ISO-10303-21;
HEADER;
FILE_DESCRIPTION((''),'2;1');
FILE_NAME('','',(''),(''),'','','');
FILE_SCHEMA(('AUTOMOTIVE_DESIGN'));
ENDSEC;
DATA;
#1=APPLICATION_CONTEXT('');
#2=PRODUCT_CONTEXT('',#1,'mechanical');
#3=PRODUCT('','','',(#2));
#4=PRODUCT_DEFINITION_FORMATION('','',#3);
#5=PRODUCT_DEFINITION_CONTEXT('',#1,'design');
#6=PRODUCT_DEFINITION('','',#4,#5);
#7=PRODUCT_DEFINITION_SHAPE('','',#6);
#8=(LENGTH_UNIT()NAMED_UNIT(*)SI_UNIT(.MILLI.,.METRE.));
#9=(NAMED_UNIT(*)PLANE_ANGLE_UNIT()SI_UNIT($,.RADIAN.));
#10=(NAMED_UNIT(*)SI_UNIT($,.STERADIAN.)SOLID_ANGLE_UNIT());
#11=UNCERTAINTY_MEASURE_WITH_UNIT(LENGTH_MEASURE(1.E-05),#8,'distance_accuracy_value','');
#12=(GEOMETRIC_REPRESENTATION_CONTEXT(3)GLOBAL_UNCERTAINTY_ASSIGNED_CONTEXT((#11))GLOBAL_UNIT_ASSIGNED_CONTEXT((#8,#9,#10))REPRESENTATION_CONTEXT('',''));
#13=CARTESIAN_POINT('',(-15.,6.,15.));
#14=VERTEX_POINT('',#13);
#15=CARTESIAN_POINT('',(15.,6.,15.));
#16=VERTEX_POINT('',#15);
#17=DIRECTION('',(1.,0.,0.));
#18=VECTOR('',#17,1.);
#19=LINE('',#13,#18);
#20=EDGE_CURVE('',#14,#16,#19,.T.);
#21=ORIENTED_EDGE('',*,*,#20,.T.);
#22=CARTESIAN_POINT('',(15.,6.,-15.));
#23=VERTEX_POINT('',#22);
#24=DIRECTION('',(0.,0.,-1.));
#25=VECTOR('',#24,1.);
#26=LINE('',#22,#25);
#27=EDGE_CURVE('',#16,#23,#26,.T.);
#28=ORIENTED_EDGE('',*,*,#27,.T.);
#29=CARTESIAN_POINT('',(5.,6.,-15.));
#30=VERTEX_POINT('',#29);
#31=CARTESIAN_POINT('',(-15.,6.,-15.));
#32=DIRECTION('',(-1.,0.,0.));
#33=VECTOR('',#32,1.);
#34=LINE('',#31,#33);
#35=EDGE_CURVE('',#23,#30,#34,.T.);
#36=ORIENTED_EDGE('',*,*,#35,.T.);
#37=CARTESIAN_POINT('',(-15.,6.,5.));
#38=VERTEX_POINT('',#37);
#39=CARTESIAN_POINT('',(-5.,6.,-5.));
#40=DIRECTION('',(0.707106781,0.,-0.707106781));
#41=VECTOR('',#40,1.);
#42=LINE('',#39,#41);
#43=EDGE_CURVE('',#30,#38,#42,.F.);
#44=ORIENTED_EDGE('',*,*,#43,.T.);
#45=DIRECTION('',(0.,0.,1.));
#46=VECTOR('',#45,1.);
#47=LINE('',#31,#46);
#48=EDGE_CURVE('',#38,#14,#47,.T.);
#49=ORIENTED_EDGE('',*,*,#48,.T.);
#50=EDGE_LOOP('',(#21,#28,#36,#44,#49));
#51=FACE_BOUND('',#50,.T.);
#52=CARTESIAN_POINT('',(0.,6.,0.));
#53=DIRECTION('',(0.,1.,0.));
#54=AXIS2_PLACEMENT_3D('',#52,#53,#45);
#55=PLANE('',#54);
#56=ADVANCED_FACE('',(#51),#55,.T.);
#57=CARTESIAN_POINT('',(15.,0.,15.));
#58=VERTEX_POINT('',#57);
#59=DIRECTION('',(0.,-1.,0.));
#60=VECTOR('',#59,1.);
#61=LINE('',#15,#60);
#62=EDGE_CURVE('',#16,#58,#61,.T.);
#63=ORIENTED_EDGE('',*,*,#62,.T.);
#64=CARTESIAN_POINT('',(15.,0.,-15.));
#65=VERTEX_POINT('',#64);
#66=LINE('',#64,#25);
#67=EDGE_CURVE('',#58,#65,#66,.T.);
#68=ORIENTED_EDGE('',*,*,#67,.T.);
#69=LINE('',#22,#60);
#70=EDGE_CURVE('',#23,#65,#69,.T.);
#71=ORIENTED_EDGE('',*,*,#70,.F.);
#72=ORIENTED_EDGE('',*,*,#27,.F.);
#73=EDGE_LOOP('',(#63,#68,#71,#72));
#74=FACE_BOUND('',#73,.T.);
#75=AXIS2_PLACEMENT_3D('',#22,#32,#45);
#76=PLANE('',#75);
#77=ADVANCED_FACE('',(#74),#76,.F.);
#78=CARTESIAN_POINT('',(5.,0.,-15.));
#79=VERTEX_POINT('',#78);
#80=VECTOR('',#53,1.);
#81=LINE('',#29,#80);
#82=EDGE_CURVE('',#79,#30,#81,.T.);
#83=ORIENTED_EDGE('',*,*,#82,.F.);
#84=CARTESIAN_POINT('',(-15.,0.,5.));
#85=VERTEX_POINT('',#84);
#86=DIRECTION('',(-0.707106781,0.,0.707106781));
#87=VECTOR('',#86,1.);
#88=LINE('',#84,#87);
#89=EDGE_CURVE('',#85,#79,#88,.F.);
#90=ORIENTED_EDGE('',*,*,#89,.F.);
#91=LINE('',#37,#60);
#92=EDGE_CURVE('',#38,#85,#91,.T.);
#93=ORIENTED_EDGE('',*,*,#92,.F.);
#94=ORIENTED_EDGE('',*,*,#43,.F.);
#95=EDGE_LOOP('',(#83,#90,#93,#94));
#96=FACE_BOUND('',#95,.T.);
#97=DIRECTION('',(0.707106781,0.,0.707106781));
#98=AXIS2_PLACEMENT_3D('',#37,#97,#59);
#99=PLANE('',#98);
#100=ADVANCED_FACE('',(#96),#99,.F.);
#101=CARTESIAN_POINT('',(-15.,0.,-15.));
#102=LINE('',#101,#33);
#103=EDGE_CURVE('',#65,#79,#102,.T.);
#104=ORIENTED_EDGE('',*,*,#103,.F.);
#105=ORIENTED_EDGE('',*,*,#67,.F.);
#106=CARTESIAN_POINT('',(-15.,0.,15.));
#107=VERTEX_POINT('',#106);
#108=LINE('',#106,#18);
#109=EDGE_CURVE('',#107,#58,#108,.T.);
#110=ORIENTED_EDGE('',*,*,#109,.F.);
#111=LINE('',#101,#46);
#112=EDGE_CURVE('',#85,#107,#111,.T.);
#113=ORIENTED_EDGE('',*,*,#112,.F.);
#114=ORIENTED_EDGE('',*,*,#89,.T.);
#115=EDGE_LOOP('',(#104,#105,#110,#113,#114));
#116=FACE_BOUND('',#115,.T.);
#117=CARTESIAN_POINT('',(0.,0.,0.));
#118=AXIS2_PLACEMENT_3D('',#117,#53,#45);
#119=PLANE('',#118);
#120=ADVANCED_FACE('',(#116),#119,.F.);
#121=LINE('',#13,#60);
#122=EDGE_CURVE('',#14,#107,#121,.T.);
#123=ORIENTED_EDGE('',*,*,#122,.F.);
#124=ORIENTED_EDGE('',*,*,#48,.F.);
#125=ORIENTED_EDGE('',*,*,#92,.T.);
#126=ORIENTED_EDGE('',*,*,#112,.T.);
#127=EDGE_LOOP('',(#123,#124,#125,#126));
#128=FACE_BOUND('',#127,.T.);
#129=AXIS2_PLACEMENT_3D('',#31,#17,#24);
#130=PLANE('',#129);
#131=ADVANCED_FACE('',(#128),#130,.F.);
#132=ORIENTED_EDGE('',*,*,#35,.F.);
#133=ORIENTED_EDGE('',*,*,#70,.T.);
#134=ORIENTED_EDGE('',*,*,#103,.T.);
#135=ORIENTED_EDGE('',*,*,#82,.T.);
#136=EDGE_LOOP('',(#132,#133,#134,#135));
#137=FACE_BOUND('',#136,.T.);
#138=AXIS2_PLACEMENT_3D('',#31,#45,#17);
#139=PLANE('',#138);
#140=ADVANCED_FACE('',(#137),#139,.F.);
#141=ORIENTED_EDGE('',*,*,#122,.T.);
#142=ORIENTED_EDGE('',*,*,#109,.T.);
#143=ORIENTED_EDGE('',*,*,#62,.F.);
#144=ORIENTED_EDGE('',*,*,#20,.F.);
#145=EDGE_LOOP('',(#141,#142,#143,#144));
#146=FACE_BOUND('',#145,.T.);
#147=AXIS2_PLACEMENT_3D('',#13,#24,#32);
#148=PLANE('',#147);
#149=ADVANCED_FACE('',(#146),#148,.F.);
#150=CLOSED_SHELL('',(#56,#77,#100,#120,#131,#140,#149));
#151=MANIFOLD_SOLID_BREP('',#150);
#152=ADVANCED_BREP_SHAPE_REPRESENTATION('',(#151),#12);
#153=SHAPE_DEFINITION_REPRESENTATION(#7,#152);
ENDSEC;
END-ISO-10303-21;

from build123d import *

# Parameters (mm, degrees)
SKETCH1_W           = 30
SKETCH1_H           = 30
BOSS_EXTRUDE1_DEPTH = 6
CHAMFER1_SIZE       = 20


with BuildPart() as part:
    # Sketch1 → Boss-Extrude1 (new body)
    with BuildSketch(Plane(origin=(0, 0, 0), x_dir=(1, 0, 0), z_dir=(0, 1, 0))):
        Rectangle(SKETCH1_W, SKETCH1_H)
    extrude(amount=BOSS_EXTRUDE1_DEPTH)

    # Chamfer1
    chamfer1_edges = [part.edges().sort_by_distance(p)[0] for p in [
        (-15, 3, -15),
    ]]
    chamfer(chamfer1_edges, length=CHAMFER1_SIZE)


solid = part.part
